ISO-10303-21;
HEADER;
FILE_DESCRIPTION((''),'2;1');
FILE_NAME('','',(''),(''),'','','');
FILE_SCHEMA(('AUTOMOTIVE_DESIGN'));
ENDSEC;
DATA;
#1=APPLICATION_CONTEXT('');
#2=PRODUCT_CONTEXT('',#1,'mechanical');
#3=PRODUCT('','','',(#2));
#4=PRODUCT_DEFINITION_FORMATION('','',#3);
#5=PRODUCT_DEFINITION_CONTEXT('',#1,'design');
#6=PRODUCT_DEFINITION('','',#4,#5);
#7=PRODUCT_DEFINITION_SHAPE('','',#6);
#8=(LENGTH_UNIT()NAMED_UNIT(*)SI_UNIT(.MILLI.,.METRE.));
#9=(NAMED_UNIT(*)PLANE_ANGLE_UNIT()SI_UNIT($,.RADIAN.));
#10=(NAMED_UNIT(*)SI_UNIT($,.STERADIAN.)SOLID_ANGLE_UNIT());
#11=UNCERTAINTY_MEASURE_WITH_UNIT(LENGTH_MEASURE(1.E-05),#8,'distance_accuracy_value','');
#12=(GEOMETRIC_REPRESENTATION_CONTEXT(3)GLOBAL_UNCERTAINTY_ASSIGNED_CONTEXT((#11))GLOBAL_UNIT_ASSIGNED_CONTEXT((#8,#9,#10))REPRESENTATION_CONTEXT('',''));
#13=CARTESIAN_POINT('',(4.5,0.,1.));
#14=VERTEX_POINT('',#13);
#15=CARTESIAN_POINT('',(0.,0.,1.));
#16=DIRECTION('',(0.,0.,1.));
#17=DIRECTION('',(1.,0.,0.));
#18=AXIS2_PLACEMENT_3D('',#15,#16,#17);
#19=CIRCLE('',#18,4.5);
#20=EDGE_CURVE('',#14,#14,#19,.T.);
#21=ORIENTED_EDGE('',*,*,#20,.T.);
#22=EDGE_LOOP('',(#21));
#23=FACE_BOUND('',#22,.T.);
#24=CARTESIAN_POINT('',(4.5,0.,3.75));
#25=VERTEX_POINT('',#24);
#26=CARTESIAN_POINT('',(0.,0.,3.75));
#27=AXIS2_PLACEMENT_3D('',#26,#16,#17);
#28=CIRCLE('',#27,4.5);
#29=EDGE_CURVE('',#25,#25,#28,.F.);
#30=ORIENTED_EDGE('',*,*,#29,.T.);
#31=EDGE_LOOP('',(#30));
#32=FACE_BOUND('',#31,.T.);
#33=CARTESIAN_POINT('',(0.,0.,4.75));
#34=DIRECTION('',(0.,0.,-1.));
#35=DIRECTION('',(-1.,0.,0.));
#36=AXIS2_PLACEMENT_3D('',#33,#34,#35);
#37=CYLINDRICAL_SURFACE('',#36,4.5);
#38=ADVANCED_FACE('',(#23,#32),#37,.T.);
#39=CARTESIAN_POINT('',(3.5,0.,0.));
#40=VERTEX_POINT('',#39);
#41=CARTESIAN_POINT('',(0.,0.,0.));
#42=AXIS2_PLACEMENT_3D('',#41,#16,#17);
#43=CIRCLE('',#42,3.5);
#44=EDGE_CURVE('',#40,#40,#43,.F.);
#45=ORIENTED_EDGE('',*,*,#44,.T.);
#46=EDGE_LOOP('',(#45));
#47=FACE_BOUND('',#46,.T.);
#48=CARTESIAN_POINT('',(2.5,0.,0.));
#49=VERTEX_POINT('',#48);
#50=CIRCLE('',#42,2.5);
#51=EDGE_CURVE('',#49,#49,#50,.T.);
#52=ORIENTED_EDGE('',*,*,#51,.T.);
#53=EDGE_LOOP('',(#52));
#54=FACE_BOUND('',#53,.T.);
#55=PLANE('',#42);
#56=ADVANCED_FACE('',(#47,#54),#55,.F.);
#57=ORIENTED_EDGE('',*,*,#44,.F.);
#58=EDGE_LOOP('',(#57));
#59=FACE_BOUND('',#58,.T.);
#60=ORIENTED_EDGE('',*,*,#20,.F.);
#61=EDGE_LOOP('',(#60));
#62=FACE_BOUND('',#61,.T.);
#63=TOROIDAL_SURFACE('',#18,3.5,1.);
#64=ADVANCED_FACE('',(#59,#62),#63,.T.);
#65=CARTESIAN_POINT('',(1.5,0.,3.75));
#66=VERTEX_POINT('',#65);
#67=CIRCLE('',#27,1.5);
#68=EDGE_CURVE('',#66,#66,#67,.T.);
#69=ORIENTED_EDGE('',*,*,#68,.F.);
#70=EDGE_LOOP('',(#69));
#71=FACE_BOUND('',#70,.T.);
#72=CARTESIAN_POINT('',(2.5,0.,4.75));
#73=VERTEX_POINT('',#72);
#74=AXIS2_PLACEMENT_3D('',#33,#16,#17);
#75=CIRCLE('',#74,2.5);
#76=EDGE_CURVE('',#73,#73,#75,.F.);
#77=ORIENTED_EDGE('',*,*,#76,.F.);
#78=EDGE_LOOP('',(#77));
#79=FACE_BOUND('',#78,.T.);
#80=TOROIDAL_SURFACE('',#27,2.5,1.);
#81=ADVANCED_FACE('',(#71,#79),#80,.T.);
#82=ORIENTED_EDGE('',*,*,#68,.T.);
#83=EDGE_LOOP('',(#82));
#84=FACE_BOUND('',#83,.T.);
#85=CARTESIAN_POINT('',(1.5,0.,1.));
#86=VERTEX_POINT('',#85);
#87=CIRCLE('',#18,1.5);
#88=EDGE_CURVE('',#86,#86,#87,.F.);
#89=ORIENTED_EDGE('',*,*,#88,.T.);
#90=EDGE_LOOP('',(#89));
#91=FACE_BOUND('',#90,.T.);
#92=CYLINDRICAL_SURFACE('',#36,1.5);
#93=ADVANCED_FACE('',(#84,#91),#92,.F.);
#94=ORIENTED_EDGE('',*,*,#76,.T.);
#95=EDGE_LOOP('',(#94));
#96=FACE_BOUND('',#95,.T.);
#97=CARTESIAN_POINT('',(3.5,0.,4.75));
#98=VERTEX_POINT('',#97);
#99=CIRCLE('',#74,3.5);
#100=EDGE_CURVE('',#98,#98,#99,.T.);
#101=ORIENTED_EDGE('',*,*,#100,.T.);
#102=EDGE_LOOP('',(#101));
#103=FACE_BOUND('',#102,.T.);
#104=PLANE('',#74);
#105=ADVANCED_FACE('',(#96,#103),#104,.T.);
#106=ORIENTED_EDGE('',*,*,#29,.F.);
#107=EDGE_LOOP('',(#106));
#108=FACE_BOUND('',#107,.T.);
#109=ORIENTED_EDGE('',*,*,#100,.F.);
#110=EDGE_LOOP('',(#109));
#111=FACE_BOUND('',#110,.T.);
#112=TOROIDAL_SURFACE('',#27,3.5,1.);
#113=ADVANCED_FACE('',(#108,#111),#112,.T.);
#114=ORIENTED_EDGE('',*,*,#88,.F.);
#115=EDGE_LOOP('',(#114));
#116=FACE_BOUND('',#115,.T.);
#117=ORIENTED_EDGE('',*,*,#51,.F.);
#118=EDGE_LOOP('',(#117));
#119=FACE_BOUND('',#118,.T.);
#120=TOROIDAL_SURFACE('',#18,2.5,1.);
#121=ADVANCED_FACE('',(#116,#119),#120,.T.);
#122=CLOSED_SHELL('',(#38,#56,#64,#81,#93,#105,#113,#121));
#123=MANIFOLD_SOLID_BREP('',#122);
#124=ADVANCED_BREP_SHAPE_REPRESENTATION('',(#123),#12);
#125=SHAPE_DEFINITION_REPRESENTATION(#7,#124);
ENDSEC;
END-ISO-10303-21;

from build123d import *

# Parameters (mm, degrees)
SKETCH1_R           = 9
SKETCH1_R_2         = 3
BOSS_EXTRUDE1_DEPTH = 9.5
FILLET1_R           = 2
FILLET2_R           = 2
SCALE1_SCALE        = 0.5


with BuildPart() as part:
    # Sketch1 → Boss-Extrude1 (new body)
    with BuildSketch(Plane.XY):
        Circle(SKETCH1_R)
        Circle(SKETCH1_R_2, mode=Mode.SUBTRACT)
    extrude(amount=BOSS_EXTRUDE1_DEPTH)

    # Fillet1
    fillet1_edges = [part.edges().sort_by_distance(p)[0] for p in [
        (-3, 0, 0),
        (-3, 0, 9.5),
    ]]
    fillet(fillet1_edges, radius=FILLET1_R)

    # Fillet2
    fillet2_edges = [part.edges().sort_by_distance(p)[0] for p in [
        (-9, 0, 0),
        (-9, 0, 9.5),
    ]]
    fillet(fillet2_edges, radius=FILLET2_R)


with BuildPart() as part_1:
    # Scale1: scaled about (0, 0, 0)
    add(part.part.scale(SCALE1_SCALE))


solid = part_1.part
